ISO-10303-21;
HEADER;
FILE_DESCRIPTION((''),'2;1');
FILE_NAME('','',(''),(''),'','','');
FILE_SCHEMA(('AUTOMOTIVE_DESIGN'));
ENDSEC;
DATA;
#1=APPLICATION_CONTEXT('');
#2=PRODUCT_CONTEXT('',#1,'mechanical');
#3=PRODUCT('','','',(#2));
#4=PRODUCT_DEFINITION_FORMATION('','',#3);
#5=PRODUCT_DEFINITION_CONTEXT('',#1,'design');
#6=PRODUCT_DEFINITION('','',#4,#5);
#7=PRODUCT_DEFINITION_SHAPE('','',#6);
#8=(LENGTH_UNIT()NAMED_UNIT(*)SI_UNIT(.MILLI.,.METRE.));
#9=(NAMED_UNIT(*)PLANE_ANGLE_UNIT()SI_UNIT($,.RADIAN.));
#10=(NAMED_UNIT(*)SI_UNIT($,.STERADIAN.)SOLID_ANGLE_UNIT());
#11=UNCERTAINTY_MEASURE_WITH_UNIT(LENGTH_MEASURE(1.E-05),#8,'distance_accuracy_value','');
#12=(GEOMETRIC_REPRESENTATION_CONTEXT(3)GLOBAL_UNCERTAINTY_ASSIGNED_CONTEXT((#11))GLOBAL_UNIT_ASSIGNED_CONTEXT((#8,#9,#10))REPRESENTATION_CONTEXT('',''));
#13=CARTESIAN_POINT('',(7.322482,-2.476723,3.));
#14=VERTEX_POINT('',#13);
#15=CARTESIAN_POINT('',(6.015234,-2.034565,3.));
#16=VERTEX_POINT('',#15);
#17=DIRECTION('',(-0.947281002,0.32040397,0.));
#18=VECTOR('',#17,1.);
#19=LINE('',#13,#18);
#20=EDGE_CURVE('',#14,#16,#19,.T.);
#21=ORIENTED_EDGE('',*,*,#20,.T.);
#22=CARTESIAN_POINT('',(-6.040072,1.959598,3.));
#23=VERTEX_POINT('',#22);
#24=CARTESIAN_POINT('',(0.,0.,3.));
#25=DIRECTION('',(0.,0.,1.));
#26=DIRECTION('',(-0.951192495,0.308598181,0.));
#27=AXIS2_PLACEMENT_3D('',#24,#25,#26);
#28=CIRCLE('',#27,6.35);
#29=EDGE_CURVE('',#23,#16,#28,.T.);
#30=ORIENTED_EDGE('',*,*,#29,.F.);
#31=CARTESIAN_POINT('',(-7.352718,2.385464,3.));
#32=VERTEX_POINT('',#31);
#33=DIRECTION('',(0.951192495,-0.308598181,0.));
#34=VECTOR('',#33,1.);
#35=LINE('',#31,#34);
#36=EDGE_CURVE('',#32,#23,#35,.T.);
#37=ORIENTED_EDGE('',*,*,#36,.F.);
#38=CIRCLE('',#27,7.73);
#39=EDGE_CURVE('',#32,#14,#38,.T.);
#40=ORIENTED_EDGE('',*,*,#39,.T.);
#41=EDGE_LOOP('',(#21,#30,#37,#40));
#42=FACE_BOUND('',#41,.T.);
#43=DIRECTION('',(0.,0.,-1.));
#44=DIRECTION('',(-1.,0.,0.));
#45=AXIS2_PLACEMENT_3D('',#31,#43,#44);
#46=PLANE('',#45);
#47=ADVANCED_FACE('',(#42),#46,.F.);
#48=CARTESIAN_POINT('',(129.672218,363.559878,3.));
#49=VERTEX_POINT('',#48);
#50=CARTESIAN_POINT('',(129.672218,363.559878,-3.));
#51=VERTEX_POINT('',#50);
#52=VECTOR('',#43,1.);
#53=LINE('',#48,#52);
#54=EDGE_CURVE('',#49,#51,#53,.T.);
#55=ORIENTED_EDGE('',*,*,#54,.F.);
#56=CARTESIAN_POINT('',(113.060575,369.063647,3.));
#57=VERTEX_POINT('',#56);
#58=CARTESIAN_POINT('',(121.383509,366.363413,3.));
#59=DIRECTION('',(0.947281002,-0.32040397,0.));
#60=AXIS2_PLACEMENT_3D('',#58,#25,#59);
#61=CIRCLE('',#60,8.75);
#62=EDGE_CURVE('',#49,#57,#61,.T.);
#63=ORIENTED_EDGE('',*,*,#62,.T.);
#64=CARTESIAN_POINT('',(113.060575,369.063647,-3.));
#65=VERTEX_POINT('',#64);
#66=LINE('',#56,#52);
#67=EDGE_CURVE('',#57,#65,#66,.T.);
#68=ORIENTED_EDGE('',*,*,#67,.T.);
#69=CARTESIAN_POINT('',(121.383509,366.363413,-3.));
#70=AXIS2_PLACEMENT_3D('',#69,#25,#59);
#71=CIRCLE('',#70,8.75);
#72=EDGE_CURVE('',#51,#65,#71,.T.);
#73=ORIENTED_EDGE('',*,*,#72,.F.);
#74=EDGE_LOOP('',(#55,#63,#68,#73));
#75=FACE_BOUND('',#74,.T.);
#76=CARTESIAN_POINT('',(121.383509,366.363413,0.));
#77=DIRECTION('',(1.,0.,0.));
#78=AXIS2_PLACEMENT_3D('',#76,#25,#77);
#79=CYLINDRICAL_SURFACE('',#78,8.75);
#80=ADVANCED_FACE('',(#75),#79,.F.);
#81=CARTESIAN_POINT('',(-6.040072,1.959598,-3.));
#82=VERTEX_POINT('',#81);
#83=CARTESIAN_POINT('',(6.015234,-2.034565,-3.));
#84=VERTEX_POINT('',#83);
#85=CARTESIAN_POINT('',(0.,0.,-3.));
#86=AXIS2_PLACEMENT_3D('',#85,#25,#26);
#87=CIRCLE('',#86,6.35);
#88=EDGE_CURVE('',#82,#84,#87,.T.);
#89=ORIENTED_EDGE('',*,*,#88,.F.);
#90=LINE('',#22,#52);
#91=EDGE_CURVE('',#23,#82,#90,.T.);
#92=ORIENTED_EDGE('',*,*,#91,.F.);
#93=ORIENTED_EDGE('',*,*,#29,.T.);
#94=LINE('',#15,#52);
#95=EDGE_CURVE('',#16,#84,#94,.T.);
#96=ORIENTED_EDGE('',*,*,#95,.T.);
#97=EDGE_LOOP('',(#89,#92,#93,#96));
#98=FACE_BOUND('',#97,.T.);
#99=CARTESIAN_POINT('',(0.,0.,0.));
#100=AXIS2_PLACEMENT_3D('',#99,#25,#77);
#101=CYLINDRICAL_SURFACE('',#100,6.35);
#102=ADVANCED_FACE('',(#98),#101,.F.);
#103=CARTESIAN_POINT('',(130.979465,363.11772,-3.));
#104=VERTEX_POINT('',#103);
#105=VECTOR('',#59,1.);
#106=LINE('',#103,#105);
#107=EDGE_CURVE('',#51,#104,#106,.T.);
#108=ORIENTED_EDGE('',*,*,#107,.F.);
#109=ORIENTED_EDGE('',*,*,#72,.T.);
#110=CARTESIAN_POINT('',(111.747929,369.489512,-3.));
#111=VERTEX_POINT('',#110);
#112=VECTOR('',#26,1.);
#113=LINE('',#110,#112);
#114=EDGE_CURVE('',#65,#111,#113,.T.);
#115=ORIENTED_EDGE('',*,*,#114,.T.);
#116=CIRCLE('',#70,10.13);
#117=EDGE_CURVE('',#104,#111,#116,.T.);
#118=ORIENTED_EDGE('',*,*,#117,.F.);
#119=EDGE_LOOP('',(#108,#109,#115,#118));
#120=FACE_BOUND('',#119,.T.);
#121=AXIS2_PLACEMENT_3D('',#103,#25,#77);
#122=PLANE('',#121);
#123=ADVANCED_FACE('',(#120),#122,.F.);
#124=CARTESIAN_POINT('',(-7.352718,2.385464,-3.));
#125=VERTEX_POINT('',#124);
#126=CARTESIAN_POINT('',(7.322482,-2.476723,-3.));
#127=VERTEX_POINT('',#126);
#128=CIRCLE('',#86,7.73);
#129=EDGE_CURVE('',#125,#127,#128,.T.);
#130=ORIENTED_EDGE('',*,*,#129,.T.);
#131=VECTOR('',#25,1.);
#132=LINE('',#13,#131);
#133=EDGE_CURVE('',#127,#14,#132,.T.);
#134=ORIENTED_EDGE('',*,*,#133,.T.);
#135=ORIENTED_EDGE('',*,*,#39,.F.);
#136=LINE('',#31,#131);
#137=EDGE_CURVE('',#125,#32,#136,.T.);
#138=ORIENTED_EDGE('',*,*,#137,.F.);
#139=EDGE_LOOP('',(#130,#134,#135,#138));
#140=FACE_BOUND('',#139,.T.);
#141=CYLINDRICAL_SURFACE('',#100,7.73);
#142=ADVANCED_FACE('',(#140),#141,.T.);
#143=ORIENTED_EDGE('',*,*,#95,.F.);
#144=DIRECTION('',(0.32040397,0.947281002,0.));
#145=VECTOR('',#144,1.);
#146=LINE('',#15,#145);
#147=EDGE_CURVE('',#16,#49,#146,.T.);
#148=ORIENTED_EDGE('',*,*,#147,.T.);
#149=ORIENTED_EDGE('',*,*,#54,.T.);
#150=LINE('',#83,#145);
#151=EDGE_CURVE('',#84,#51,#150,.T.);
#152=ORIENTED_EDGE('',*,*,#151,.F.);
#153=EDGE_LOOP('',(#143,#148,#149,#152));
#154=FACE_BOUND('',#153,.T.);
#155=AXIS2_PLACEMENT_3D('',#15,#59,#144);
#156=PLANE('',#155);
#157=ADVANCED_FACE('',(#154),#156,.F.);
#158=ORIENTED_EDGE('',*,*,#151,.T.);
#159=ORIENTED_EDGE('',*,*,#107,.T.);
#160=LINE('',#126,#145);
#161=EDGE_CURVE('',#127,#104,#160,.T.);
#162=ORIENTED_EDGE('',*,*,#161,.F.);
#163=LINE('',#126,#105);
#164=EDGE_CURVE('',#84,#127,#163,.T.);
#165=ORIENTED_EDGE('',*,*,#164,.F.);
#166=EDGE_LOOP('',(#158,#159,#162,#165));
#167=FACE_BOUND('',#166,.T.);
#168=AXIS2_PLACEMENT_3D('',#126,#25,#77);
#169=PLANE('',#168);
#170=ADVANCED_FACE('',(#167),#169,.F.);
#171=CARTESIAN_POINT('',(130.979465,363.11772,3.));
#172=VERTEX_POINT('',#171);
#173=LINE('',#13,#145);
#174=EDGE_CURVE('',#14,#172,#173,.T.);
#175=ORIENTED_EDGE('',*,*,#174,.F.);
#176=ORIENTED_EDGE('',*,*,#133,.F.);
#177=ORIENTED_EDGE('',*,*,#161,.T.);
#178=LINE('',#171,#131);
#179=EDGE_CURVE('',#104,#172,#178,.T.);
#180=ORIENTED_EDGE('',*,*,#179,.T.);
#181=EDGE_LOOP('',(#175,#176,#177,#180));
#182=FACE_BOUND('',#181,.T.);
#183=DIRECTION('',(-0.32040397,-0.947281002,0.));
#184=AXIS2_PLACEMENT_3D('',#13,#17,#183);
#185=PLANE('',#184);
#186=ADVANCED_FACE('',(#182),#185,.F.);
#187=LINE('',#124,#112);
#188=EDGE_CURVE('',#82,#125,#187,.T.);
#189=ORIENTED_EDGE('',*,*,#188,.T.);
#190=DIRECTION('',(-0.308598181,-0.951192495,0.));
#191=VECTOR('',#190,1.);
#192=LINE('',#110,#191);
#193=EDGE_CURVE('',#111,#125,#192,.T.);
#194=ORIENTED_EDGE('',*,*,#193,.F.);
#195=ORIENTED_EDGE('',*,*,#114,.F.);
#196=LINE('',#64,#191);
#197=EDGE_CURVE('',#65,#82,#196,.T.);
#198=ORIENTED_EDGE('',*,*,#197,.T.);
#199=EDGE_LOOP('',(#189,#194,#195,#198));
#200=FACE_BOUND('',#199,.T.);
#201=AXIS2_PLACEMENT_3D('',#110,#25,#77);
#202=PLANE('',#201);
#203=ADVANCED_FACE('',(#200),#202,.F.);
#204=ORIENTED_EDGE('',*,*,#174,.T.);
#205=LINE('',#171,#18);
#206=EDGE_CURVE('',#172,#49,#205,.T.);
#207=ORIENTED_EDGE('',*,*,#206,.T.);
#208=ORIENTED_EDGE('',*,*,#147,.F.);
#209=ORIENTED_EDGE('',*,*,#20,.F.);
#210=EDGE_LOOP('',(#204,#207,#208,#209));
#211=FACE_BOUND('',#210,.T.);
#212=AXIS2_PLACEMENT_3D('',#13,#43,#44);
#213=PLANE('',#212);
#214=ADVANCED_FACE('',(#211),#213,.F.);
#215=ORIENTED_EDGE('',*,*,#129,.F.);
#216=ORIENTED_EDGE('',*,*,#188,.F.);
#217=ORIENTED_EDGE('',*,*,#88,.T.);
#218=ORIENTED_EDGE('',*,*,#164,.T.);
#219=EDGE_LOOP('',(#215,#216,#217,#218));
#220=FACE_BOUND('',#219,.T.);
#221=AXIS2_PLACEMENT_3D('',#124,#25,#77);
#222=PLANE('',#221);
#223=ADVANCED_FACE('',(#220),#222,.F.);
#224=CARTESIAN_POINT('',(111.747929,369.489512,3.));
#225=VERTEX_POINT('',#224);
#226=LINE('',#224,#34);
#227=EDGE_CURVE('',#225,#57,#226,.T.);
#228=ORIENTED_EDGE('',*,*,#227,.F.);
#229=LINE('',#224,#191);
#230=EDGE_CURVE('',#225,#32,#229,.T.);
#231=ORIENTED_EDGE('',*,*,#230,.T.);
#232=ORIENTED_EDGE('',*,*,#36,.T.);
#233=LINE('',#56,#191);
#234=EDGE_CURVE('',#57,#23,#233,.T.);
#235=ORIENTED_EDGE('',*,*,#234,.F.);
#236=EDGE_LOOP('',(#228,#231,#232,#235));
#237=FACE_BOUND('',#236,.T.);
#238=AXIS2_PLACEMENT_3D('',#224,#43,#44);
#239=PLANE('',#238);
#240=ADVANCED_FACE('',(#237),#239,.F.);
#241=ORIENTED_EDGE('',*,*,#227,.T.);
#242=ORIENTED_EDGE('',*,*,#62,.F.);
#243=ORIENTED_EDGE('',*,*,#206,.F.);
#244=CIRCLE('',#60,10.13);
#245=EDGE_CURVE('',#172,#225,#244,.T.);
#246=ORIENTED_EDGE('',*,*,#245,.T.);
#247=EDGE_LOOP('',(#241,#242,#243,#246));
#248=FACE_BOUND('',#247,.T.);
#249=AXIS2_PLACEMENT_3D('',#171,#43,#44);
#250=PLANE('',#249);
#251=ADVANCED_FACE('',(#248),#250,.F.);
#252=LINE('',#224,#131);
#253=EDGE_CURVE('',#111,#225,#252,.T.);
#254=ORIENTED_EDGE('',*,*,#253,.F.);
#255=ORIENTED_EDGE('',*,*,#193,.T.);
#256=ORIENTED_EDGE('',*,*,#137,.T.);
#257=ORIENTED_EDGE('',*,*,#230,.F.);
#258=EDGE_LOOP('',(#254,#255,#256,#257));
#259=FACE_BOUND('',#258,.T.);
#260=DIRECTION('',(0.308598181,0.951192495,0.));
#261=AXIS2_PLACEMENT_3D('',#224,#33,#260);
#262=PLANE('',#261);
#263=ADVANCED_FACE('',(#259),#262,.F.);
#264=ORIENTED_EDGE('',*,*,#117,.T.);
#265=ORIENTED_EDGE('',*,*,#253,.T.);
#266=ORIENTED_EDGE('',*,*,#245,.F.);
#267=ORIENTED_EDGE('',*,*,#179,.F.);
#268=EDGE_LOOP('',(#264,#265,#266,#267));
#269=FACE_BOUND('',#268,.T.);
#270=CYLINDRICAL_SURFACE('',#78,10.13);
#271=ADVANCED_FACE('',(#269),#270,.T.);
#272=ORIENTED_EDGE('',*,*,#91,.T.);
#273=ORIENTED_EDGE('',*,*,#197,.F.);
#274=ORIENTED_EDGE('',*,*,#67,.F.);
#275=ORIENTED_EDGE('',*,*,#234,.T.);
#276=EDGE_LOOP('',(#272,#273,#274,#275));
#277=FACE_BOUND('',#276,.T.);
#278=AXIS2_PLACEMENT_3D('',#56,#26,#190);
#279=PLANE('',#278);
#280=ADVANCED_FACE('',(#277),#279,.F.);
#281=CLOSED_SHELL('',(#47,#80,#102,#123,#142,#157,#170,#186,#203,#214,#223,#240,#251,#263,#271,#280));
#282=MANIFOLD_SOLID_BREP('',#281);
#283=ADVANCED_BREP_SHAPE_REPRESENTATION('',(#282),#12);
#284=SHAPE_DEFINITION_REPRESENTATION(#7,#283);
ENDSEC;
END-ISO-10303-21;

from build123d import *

# Parameters (mm, degrees)
SKETCH2_W = 1.38
SKETCH2_H = 6


with BuildPart() as part:
    # Sweep1: sweep along a path in Sketch1
    with BuildLine(Plane.XY) as sweep1_path:
        Line((6.01523436, -2.034565211), (129.672217689, 363.559877783))
        ThreePointArc((129.672217689, 363.559877783), (124.135446545, 374.669394664), (113.060574593, 369.063646606))
        Line((113.060574593, 369.063646606), (-6.040072344, 1.95959845))
        ThreePointArc((-6.040072344, 1.95959845), (-1.997120444, -6.027769897), (6.01523436, -2.034565211))
    # Sketch2 → Sweep1 (sweep)
    with BuildSketch(Plane(origin=(113.060574593, 369.063646606, 0), x_dir=(0.951192495, -0.308598181, 0), z_dir=(0.308598181, 0.951192495, 0))):
        with Locations((-0.69, 0)):
            Rectangle(SKETCH2_W, SKETCH2_H)
    sweep(path=sweep1_path.line)


solid = part.part
